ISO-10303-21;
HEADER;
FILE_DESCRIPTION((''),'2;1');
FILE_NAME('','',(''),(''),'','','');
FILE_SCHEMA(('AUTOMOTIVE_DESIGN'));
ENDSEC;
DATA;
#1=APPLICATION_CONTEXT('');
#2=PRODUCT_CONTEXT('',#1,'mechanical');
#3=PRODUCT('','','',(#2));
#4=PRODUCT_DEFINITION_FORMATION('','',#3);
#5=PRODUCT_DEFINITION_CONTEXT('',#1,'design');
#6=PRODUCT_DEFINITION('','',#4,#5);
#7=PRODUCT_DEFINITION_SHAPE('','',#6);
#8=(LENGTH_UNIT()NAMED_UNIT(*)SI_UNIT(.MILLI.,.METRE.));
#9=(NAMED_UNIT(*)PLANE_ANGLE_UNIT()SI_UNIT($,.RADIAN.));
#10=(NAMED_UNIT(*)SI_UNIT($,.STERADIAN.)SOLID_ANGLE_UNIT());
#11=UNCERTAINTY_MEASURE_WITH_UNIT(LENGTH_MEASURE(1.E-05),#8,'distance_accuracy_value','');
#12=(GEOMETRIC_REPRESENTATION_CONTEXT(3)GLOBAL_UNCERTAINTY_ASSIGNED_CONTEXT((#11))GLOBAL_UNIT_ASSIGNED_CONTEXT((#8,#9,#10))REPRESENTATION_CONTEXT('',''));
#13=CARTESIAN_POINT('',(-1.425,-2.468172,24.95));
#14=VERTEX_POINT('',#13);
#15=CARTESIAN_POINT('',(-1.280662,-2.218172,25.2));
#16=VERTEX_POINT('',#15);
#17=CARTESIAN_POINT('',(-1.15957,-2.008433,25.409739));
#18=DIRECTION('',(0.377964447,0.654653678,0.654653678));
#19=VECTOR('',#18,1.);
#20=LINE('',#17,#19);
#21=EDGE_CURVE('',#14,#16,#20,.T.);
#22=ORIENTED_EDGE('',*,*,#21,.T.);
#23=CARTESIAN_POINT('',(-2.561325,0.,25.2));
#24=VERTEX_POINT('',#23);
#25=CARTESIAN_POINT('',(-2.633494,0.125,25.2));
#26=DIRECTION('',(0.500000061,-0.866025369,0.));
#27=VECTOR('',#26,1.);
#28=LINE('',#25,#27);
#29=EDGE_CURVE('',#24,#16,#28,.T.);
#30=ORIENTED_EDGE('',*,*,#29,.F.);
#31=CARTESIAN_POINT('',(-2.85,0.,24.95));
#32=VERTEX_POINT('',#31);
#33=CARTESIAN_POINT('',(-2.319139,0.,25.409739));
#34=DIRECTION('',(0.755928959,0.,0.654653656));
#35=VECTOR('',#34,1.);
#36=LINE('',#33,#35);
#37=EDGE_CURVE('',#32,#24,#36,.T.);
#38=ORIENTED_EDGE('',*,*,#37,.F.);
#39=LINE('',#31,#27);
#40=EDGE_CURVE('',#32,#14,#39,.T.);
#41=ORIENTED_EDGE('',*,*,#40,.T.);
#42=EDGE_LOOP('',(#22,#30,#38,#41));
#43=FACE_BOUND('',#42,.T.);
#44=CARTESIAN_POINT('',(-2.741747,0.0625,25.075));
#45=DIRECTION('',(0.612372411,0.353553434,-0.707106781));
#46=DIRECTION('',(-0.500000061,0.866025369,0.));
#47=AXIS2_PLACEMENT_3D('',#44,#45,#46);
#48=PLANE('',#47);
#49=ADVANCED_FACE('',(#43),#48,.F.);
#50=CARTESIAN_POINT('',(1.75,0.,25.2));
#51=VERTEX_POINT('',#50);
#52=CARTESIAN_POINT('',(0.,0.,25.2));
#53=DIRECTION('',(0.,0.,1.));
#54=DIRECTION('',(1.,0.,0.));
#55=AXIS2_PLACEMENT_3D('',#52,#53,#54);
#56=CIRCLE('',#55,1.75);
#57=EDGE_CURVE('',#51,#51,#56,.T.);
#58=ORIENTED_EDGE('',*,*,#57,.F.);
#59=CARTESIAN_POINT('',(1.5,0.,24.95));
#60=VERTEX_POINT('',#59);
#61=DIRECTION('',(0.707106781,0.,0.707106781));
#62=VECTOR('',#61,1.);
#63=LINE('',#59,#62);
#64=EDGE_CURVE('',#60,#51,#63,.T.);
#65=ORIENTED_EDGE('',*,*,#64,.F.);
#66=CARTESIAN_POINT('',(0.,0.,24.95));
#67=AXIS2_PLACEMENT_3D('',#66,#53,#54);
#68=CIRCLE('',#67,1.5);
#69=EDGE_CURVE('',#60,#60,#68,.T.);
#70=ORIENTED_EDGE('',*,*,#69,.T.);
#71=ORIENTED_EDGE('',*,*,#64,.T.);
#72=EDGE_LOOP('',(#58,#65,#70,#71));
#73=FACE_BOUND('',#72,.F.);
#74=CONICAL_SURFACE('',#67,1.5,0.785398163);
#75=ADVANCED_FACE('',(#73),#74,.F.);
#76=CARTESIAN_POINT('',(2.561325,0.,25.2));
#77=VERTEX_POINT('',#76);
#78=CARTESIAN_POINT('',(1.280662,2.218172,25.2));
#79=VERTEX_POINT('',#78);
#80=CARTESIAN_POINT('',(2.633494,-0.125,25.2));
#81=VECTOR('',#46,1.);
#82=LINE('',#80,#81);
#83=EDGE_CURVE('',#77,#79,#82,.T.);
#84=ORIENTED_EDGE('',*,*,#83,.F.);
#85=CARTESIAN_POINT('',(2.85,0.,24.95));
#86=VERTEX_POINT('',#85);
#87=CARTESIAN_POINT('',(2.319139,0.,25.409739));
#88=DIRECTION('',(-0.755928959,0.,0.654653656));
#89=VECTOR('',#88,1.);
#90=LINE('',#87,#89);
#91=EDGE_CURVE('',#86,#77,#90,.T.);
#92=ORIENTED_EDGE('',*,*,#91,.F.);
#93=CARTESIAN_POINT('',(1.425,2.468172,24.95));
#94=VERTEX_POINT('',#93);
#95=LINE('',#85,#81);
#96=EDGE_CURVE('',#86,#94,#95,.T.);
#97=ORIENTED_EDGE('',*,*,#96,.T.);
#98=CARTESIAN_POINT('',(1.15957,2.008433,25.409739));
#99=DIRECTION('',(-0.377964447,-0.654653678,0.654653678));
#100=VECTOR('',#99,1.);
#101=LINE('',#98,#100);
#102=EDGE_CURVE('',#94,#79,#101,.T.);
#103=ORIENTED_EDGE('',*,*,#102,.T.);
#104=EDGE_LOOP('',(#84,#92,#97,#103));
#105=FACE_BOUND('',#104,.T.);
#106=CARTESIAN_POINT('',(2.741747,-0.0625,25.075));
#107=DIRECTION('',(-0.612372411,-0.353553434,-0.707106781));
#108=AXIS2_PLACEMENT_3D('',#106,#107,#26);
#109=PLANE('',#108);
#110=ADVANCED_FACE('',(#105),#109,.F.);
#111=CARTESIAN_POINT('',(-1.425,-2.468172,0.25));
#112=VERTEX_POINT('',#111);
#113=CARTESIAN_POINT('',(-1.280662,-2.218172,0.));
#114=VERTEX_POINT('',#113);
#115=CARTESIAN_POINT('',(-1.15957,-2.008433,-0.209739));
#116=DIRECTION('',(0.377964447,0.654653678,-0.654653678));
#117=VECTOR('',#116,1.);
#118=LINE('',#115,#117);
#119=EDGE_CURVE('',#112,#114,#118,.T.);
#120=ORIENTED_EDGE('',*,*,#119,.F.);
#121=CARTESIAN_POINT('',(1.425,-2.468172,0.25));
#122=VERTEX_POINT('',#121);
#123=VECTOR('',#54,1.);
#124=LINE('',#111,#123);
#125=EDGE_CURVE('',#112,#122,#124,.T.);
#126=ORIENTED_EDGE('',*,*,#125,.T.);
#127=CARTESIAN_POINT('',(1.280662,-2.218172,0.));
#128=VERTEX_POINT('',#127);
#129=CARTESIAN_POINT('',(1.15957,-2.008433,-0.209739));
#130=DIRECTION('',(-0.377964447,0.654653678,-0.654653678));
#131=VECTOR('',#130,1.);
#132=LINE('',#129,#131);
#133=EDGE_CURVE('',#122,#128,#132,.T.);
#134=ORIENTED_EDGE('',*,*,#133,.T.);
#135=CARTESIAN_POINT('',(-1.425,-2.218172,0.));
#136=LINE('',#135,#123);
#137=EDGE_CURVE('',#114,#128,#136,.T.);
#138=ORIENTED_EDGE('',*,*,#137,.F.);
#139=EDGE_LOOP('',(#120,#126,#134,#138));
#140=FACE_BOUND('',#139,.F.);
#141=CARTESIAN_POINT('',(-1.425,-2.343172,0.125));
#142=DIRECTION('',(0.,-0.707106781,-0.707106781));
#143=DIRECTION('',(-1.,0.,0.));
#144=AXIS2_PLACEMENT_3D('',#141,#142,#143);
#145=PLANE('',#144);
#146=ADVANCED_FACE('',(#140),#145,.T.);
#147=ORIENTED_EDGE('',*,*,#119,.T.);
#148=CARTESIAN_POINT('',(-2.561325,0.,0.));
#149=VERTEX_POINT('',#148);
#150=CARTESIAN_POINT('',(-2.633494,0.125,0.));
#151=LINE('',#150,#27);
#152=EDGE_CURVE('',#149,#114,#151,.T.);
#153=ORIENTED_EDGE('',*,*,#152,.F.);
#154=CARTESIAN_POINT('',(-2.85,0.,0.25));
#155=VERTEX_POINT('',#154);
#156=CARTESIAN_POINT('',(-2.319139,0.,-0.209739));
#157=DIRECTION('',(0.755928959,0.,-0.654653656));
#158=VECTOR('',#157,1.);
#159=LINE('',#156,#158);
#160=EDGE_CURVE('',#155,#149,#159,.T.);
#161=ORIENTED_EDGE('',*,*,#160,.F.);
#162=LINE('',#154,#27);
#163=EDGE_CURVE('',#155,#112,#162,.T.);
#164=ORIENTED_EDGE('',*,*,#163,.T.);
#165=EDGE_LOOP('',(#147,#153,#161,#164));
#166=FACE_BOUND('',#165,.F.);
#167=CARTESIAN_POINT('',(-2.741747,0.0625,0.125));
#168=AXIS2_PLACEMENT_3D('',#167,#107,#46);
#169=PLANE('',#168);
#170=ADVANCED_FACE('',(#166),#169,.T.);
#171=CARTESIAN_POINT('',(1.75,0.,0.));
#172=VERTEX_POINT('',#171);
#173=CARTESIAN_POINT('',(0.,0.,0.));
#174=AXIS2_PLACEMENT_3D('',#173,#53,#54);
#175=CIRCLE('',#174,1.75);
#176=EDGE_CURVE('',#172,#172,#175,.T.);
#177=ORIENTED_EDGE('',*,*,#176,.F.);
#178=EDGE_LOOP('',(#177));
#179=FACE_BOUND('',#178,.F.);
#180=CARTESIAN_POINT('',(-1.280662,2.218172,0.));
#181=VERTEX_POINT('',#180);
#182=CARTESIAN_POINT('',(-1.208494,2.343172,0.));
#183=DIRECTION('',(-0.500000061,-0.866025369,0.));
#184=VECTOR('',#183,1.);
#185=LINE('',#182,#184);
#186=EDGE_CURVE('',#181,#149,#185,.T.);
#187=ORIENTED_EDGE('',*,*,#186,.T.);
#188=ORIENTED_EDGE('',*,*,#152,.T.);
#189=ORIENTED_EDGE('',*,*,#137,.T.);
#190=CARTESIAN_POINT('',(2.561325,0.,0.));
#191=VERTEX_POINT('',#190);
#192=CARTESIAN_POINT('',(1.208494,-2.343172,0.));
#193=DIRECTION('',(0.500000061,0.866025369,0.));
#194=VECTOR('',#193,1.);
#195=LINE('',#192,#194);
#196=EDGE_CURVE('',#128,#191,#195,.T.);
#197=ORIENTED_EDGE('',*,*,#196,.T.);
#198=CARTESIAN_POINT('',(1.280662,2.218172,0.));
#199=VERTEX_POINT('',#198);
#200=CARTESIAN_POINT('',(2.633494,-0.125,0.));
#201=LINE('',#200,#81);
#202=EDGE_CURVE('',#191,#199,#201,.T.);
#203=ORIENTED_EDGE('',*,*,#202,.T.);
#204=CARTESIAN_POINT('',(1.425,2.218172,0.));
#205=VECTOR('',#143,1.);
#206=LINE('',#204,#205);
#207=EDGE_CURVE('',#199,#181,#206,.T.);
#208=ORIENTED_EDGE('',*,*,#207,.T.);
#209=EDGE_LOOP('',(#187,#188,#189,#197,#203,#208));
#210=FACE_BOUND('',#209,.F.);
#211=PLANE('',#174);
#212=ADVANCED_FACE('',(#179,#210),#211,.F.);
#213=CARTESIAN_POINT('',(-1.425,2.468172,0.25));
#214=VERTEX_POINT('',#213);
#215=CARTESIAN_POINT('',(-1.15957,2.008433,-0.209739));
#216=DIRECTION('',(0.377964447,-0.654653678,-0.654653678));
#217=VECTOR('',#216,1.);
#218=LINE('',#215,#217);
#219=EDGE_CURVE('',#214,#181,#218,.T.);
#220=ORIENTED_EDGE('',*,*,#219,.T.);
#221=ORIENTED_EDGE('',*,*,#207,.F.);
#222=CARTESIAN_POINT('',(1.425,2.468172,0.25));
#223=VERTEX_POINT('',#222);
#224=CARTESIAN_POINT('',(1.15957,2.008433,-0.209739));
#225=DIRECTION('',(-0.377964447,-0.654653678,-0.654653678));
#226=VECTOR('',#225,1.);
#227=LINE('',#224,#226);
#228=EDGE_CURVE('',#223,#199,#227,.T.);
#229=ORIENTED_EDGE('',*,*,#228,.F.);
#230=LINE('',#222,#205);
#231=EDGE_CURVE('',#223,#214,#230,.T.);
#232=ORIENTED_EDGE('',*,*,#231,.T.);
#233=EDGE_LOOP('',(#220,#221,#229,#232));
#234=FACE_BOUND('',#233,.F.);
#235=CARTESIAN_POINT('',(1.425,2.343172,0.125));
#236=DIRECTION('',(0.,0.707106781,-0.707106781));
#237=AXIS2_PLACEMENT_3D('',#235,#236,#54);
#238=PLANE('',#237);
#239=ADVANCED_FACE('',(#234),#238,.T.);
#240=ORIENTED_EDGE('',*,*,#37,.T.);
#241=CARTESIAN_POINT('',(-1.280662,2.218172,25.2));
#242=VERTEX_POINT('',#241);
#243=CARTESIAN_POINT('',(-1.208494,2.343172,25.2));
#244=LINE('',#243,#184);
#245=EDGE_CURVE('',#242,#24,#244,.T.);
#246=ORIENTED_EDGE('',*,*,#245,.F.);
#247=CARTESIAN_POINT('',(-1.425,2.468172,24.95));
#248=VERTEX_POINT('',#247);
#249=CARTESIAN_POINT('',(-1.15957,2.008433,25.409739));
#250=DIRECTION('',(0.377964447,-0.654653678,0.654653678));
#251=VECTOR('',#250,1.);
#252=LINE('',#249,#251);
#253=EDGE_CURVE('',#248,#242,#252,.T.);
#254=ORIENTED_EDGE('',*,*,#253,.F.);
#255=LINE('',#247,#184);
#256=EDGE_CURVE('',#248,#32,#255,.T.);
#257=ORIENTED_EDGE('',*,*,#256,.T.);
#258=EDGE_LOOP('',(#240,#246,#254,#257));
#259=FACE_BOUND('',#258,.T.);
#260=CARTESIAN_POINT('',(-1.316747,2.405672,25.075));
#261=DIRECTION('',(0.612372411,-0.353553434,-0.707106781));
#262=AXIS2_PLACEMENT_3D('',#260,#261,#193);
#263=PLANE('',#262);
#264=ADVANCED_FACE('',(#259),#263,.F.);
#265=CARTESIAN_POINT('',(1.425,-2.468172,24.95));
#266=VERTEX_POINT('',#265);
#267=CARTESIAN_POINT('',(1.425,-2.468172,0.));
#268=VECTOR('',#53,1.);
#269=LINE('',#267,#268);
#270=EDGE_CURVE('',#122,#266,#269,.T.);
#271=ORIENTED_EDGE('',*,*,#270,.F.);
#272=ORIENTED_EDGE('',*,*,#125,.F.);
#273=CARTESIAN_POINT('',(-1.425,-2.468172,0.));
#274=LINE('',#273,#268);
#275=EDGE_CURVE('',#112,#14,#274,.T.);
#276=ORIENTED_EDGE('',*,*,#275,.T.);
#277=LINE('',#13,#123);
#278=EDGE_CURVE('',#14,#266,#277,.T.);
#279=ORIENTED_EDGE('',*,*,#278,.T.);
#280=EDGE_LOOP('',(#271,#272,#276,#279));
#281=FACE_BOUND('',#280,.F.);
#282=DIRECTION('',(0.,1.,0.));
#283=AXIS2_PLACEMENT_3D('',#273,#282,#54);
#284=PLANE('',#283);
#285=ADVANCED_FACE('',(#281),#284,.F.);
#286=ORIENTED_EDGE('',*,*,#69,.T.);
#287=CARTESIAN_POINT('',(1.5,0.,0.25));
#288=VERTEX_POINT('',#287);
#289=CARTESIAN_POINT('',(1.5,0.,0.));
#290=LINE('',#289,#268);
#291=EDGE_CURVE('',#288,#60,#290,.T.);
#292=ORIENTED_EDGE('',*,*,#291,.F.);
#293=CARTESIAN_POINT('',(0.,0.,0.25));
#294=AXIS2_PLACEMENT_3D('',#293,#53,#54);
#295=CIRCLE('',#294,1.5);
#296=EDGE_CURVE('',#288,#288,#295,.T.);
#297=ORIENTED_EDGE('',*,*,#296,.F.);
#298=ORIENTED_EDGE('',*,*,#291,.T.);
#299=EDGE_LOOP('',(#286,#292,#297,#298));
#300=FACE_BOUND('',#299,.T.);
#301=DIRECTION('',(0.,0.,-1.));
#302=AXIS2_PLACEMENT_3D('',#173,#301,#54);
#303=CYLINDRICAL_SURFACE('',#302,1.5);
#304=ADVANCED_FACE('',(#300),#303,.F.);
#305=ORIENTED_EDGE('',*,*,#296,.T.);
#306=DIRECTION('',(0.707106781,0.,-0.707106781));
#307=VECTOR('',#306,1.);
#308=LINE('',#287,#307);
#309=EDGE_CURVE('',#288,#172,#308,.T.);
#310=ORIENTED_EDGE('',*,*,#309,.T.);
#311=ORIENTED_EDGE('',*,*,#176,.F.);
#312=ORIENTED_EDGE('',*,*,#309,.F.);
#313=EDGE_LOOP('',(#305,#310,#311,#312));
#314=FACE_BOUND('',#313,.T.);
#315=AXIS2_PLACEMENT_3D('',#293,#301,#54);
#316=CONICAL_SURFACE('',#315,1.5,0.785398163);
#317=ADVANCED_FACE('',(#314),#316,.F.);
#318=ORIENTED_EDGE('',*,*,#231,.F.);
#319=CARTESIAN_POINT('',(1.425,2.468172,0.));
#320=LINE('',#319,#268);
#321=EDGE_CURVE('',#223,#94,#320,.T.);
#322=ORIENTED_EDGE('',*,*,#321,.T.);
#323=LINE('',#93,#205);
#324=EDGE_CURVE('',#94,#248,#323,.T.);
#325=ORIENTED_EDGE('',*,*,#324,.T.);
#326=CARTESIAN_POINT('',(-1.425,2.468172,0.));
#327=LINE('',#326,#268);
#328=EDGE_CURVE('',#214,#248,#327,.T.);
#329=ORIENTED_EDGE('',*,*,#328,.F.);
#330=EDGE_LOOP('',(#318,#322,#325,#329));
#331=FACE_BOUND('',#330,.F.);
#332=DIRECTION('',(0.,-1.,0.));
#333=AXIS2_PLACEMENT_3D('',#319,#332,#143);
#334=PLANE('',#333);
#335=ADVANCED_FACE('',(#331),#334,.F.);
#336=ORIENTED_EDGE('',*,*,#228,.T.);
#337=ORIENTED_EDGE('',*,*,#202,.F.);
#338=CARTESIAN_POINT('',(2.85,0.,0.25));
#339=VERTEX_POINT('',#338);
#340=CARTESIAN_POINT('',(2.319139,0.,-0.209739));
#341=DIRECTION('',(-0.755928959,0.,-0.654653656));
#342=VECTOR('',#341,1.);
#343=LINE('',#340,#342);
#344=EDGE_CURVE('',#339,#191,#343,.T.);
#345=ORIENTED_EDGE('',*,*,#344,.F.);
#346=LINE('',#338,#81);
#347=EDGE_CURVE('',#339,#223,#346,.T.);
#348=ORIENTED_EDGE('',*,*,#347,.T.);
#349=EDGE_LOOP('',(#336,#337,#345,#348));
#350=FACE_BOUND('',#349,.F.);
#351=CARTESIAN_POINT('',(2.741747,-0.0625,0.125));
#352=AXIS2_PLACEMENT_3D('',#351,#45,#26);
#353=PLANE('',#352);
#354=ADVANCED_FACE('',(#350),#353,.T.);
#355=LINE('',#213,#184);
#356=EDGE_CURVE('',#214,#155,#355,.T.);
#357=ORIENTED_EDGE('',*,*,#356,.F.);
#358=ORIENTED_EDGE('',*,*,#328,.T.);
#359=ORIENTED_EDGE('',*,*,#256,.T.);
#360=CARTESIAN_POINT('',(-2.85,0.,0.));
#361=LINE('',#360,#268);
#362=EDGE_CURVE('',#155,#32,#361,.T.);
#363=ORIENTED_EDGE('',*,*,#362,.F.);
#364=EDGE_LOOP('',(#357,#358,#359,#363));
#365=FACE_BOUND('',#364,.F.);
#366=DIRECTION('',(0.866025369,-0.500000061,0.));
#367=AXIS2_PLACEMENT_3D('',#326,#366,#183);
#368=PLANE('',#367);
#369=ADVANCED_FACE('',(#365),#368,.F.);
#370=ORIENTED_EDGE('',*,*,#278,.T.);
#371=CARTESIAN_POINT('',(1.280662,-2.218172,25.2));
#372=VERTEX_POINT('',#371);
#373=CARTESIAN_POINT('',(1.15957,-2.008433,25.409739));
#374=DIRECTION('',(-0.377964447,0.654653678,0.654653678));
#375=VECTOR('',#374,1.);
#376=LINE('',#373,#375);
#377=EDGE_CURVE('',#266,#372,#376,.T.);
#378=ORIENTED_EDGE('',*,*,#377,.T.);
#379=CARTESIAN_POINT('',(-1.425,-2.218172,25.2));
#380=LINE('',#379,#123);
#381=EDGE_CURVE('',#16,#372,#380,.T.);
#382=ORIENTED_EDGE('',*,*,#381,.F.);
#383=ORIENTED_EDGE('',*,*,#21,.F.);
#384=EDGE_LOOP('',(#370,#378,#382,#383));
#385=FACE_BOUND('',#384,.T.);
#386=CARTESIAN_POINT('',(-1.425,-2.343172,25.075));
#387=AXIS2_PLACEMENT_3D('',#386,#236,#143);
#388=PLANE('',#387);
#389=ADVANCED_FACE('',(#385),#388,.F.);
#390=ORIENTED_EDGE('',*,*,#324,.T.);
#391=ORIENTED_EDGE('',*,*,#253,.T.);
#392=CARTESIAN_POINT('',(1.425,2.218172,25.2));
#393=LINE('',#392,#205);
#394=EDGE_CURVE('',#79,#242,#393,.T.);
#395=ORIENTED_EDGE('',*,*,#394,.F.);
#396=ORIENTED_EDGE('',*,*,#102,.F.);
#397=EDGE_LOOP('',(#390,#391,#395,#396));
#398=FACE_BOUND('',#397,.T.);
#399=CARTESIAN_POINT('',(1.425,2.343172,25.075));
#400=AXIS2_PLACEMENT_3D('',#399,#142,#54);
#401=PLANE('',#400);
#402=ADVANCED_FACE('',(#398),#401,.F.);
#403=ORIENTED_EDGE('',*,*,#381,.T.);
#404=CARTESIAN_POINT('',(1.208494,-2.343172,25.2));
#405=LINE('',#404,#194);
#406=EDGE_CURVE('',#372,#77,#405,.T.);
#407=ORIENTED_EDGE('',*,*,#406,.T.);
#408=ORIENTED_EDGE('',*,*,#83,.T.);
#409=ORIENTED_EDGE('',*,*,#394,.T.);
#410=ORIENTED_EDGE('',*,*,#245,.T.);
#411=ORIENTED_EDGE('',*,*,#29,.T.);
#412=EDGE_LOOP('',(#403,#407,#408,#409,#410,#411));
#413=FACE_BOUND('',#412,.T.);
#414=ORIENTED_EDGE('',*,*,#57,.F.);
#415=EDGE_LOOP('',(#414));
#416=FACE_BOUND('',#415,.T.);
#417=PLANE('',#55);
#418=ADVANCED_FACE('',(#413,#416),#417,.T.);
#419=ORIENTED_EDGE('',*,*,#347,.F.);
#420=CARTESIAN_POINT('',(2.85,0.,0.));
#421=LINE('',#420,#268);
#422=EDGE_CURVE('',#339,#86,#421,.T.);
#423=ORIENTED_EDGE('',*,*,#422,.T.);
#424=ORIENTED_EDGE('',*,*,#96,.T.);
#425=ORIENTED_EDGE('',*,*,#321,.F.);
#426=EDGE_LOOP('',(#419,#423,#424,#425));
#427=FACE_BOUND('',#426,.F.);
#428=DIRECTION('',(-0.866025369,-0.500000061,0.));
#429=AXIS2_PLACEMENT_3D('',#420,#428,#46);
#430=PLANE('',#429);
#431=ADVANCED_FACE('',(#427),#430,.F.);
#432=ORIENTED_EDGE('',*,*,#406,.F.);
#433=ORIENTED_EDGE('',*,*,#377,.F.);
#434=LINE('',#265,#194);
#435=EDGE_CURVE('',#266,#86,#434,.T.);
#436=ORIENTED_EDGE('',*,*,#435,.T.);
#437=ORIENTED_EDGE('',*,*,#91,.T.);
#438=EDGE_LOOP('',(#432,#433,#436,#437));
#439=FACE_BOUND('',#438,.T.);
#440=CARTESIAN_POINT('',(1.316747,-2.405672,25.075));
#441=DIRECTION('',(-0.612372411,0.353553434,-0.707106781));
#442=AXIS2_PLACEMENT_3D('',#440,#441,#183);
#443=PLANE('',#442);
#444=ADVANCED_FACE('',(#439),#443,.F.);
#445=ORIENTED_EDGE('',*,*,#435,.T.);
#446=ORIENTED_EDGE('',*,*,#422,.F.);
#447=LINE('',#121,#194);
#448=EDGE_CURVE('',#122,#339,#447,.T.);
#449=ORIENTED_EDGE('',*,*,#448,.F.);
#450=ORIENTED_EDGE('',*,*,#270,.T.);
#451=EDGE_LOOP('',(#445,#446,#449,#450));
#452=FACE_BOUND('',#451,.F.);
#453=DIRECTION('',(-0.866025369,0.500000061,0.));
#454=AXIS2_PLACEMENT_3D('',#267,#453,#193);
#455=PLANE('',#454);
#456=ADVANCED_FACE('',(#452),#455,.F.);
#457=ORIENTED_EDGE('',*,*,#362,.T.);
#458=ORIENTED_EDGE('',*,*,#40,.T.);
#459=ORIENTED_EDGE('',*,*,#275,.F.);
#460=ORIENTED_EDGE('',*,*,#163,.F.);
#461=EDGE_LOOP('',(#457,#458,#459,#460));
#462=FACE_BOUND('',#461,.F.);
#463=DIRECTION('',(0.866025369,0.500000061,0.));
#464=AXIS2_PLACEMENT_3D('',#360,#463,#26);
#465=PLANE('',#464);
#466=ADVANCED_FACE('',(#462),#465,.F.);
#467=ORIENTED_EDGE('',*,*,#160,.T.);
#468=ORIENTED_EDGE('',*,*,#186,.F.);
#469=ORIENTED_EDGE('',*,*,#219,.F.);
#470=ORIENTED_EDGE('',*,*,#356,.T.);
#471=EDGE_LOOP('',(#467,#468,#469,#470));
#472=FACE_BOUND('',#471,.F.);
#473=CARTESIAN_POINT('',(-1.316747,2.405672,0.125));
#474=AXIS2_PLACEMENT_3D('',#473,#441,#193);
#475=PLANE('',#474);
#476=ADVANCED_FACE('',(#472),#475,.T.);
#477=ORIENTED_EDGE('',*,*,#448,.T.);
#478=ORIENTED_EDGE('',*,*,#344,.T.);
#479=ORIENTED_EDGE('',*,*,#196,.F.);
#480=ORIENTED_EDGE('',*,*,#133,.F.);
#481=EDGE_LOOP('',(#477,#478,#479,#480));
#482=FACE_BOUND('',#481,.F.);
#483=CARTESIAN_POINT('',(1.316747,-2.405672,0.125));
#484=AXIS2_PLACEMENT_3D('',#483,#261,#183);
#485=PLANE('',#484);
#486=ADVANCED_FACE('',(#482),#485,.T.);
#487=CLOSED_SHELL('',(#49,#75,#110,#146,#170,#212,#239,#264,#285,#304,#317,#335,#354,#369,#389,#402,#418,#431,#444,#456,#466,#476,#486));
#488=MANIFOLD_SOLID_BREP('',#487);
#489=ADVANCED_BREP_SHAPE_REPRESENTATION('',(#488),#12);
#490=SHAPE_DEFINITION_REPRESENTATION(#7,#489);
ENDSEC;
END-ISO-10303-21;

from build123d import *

# Parameters (mm, degrees)
SKETCH_R     = 1.5
PAD_DEPTH    = 25.2
CHAMFER_SIZE = 0.25


with BuildPart() as part:
    # Sketch → Pad (new body)
    with BuildSketch(Plane.XY):
        Polygon((2.85, 0), (1.425, 2.468172), (-1.425, 2.468172), (-2.85, 0), (-1.425, -2.468172), (1.425, -2.468172), align=None)
        Circle(SKETCH_R, mode=Mode.SUBTRACT)
    extrude(amount=PAD_DEPTH)

    # Chamfer
    chamfer_edges = [part.edges().sort_by_distance(p)[0] for p in [
        (2.1375, 1.234086, 0),
        (0, 2.468172, 0),
        (-2.1375, 1.234086, 0),
        (-2.1375, -1.234086, 0),
        (0, -2.468172, 0),
        (2.1375, -1.234086, 0),
        (-1.5, 0, 0),
        (2.1375, 1.234086, 25.2),
        (0, 2.468172, 25.2),
        (-2.1375, 1.234086, 25.2),
        (-2.1375, -1.234086, 25.2),
        (0, -2.468172, 25.2),
        (2.1375, -1.234086, 25.2),
        (-1.5, 0, 25.2),
    ]]
    chamfer(chamfer_edges, length=CHAMFER_SIZE)


solid = part.part
